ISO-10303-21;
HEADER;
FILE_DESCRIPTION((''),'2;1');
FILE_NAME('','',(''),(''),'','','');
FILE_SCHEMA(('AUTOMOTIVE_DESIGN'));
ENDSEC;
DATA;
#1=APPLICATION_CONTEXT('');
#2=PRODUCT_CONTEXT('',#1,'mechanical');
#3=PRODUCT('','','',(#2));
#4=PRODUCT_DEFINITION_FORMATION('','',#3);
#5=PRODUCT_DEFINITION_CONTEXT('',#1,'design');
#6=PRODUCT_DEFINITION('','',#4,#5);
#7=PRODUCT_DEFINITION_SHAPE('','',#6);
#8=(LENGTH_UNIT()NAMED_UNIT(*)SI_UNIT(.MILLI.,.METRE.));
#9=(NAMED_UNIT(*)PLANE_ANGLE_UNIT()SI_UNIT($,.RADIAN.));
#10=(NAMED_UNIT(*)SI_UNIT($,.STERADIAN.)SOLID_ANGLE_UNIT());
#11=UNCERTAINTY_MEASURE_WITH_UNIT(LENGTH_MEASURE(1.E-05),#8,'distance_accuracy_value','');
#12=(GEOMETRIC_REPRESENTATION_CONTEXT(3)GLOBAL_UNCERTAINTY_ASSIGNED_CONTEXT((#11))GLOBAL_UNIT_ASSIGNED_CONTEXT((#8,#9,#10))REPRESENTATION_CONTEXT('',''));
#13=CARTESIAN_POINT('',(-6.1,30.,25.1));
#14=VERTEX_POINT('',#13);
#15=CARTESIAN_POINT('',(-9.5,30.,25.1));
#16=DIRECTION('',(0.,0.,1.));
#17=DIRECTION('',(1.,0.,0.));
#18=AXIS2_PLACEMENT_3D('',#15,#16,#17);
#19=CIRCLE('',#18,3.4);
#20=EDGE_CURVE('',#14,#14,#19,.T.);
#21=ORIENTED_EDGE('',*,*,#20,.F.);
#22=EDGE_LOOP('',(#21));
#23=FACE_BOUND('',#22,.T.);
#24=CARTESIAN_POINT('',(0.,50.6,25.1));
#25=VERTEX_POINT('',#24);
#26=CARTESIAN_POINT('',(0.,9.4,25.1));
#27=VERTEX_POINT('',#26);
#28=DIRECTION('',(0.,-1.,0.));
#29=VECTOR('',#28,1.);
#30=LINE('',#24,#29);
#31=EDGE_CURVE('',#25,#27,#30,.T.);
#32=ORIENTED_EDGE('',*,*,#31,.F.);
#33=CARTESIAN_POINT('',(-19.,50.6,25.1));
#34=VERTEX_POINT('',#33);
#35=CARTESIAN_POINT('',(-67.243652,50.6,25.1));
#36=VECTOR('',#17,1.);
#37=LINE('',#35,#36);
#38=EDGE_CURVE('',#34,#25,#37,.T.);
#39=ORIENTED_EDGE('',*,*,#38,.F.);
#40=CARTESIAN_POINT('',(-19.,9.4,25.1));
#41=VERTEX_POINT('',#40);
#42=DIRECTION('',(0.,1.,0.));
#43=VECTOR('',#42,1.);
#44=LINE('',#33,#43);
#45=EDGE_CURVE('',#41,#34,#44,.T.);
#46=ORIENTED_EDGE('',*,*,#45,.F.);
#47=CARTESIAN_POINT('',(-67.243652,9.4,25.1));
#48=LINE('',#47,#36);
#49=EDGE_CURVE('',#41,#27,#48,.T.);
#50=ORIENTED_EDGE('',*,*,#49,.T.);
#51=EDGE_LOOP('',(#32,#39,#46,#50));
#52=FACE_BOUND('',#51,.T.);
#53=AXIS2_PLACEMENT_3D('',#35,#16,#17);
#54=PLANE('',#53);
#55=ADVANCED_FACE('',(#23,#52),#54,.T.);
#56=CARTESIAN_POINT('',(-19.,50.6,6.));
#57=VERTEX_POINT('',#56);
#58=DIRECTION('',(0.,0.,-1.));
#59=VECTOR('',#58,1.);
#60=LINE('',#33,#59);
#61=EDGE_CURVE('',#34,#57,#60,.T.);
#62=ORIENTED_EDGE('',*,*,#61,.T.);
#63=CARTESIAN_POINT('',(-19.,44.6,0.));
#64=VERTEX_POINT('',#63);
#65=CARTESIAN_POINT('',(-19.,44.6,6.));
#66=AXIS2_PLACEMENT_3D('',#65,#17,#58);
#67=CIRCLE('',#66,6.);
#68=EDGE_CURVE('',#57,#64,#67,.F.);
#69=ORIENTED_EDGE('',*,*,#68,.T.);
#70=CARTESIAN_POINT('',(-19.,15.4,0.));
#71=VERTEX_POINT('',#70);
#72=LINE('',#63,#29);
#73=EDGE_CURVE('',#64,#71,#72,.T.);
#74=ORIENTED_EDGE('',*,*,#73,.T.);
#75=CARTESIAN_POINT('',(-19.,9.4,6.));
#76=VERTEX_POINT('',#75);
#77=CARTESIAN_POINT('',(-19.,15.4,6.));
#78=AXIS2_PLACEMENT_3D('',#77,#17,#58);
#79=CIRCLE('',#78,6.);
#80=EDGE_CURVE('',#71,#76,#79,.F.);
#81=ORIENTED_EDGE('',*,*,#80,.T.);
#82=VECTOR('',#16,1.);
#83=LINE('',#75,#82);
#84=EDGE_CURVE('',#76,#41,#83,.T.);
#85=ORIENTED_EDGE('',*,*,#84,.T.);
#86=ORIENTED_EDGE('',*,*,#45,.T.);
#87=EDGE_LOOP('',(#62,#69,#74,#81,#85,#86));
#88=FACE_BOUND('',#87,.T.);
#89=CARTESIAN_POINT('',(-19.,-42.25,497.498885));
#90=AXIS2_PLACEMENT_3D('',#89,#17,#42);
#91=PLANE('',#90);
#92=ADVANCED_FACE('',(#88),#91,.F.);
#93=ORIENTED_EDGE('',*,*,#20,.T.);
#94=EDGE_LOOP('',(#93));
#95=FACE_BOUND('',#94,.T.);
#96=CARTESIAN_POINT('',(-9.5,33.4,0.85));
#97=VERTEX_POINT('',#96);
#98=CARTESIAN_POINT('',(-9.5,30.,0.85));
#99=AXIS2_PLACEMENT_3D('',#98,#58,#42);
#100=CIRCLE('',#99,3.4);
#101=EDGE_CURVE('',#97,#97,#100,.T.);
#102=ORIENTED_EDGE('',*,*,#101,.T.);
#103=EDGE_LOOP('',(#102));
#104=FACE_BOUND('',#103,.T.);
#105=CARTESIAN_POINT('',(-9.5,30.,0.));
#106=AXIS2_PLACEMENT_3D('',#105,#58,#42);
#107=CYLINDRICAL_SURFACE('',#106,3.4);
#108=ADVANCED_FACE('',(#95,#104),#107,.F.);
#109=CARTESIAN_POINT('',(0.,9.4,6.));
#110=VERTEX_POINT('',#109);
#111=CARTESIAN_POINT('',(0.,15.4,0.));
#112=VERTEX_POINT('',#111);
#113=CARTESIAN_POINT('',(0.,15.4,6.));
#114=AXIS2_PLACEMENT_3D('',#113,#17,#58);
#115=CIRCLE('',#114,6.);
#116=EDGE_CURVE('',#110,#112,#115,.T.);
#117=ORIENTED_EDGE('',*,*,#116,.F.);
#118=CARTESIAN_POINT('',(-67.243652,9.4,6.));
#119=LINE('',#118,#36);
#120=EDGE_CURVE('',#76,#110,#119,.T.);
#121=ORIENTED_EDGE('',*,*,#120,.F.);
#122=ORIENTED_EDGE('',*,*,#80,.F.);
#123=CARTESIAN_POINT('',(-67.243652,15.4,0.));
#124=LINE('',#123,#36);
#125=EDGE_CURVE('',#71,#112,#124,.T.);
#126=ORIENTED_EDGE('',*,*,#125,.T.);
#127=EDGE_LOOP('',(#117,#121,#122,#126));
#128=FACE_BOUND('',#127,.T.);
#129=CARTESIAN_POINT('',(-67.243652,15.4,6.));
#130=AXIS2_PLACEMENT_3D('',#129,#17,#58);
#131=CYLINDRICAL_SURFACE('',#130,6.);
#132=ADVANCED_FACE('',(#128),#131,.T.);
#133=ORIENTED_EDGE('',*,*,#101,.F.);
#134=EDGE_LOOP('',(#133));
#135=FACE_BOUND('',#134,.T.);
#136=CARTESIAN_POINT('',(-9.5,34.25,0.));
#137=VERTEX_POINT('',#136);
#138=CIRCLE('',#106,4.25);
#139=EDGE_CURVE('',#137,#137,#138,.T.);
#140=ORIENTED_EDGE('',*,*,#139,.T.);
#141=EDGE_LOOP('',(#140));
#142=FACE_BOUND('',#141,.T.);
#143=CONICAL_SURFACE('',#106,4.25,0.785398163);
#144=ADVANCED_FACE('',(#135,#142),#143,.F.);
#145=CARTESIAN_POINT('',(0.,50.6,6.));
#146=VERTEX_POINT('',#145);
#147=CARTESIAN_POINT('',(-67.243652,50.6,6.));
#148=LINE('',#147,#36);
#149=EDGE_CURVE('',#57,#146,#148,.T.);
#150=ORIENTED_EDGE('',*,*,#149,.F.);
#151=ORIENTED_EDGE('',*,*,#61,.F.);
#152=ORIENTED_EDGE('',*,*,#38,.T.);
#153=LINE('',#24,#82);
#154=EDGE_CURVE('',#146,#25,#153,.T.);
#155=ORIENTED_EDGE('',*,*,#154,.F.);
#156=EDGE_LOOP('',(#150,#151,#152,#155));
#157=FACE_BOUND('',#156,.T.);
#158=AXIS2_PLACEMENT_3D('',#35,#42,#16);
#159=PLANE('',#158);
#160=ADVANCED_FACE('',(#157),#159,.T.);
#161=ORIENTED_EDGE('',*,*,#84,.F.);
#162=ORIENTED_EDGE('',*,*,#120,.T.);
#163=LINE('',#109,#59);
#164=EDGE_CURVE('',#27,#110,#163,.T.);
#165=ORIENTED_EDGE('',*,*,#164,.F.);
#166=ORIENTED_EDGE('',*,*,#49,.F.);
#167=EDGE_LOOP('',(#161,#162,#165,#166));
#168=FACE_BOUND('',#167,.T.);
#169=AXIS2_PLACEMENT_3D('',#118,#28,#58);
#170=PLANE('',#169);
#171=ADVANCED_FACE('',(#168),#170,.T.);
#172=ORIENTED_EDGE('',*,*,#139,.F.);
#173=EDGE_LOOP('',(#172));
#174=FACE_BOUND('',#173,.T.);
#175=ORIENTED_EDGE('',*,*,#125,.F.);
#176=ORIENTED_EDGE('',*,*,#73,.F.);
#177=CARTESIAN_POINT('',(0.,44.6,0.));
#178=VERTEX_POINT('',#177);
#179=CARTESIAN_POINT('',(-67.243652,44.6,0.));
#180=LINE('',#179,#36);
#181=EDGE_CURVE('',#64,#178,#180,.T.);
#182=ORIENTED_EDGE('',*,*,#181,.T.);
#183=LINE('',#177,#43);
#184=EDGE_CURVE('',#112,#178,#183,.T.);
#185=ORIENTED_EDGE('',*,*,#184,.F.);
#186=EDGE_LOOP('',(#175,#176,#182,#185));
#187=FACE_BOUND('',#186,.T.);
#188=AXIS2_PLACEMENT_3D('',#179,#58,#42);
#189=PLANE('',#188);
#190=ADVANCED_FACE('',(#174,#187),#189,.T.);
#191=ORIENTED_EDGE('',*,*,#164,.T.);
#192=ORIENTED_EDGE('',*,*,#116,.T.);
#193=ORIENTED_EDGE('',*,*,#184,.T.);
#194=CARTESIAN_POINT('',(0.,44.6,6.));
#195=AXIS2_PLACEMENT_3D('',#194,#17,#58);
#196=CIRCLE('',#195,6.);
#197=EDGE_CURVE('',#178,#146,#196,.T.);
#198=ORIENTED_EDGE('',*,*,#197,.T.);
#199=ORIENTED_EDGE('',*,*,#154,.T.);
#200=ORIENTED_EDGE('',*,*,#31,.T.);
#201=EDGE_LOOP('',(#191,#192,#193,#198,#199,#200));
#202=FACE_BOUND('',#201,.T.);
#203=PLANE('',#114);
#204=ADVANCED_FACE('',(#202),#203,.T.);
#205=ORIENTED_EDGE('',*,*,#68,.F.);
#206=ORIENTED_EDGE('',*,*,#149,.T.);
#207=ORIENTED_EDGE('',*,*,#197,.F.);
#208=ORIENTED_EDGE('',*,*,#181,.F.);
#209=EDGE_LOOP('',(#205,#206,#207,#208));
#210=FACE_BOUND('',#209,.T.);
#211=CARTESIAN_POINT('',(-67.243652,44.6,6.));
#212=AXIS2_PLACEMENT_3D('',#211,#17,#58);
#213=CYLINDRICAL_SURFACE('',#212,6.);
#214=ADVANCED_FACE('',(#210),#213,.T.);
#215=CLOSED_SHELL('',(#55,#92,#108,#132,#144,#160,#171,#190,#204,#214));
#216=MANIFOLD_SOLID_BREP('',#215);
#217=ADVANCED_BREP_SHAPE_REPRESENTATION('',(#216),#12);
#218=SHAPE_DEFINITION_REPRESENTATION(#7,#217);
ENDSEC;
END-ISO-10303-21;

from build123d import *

# Parameters (mm, degrees)
EXTRUDE_1_DEPTH      = 19
M8X1_251_D           = 6.8
M8X1_251_DEPTH       = 28.25
M8X1_251_CSINK_D     = 8.5
M8X1_251_CSINK_ANGLE = 90
M8X1_251_TIP         = 2.042926105


with BuildPart() as part:
    # Эскиз1 → Бобышка-Вытянуть1 (new body)
    with BuildSketch(Plane(origin=(0, 0, 0), x_dir=(0, 0, -1), z_dir=(1, 0, 0))):
        with BuildLine():
            Line((-6, 9.4), (-25.1, 9.4))
            Line((-25.1, 9.4), (-25.1, 50.6))
            Line((-25.1, 50.6), (-6, 50.6))
            ThreePointArc((-6, 50.6), (-1.757359313, 48.842640687), (0, 44.6))
            Line((0, 44.6), (0, 15.4))
            ThreePointArc((0, 15.4), (-1.757359313, 11.157359313), (-6, 9.4))
        make_face()
    extrude(amount=-EXTRUDE_1_DEPTH)

    # Отверстие обработанное метчиком M8x1.251
    with Locations(Plane(origin=(0, 0, 0), x_dir=(-1, 0, 0), z_dir=(0, 0, -1))):
        with Locations((9.5, 30)):
            CounterSinkHole(M8X1_251_D / 2, M8X1_251_CSINK_D / 2, depth=M8X1_251_DEPTH, counter_sink_angle=M8X1_251_CSINK_ANGLE)
            with Locations((0, 0, -(M8X1_251_DEPTH + M8X1_251_TIP / 2))):  # 118° drill point
                Cone(0, M8X1_251_D / 2, M8X1_251_TIP, mode=Mode.SUBTRACT)


solid = part.part
